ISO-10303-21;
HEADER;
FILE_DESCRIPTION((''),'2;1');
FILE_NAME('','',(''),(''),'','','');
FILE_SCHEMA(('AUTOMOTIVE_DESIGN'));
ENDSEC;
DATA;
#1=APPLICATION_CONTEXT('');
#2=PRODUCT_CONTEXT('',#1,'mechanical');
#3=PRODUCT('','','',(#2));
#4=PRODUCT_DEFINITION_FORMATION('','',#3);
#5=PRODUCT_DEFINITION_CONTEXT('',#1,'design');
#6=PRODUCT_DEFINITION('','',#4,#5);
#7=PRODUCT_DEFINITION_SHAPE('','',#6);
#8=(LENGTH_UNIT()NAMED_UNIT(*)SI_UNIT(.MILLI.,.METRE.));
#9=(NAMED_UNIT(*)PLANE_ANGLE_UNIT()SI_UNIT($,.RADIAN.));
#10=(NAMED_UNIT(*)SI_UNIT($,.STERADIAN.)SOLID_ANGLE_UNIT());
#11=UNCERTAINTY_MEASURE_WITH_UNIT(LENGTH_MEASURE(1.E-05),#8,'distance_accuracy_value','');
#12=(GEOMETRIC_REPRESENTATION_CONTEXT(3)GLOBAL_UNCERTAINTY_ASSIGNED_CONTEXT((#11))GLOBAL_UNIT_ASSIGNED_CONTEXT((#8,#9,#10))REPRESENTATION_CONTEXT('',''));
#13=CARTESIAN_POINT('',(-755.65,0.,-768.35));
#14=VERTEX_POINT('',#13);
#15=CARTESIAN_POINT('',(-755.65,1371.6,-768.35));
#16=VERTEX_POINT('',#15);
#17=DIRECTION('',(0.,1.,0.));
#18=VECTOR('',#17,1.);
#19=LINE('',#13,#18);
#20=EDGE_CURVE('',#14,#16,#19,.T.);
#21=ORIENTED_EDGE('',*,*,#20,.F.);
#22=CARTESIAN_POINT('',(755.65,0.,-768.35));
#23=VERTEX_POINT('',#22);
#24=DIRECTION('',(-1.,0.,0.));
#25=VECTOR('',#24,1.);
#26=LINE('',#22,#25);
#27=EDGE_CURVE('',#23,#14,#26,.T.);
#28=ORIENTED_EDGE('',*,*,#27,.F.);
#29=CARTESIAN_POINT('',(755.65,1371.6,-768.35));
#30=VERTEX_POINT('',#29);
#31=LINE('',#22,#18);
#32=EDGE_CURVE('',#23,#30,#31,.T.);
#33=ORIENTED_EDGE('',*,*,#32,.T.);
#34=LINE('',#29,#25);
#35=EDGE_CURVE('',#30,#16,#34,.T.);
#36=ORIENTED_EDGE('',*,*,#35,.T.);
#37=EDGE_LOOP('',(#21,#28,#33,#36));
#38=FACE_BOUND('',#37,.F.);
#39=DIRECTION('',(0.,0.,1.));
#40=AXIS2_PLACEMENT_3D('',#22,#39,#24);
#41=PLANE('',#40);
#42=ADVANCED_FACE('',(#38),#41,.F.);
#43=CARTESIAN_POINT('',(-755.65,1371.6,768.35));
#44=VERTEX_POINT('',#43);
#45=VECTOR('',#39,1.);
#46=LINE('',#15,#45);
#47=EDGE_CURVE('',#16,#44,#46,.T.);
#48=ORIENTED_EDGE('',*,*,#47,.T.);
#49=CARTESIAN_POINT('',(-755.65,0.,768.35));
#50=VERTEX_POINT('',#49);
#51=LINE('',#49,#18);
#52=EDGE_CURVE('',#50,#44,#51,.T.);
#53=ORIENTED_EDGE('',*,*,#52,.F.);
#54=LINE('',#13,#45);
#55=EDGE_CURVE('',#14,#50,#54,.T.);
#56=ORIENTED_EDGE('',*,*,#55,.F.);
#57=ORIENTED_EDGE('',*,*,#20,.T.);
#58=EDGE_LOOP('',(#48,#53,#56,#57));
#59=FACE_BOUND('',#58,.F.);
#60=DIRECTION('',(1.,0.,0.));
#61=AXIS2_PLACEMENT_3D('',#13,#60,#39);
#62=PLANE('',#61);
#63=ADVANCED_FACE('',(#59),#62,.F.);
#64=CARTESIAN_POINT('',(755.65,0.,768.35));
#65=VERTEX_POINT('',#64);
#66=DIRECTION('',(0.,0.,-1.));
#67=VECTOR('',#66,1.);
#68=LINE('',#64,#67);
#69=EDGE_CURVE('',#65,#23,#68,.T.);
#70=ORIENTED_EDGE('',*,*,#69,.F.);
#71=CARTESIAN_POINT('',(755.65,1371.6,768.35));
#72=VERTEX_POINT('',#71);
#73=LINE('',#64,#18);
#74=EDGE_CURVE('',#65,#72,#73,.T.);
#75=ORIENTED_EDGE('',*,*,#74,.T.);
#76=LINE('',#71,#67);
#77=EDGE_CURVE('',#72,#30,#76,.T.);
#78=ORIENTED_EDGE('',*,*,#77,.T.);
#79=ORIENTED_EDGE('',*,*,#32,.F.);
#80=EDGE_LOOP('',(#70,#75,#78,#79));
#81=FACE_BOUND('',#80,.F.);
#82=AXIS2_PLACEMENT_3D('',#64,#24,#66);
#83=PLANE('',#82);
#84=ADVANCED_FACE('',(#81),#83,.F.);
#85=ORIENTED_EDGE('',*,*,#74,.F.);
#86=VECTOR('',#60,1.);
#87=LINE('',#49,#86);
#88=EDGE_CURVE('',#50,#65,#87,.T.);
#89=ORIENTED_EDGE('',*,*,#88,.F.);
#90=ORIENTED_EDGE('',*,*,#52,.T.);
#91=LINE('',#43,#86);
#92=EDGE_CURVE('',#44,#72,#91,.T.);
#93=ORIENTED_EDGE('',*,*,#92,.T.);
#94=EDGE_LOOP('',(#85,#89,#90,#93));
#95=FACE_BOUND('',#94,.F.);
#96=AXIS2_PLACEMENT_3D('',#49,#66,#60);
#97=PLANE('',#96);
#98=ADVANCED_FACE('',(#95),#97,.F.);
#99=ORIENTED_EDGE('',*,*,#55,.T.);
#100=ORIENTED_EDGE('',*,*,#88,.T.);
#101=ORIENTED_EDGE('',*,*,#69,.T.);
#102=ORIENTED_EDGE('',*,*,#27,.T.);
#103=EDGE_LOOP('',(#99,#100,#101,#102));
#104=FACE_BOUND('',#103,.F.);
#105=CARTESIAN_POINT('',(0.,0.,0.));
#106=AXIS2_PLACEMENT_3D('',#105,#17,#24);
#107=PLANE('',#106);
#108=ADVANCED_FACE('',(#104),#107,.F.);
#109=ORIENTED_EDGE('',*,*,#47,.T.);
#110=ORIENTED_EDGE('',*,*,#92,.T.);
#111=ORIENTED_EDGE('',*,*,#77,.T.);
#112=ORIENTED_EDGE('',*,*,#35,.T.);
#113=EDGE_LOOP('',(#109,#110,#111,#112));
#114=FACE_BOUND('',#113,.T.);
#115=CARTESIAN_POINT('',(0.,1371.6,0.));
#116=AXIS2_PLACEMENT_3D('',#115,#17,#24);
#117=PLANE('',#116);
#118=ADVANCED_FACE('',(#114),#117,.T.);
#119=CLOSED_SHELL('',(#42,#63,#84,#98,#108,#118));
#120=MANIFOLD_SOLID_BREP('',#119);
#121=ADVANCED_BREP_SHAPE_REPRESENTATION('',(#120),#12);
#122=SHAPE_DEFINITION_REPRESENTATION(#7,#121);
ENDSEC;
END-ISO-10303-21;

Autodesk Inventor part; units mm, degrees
ref_plane "YZ Plane" through (0, 0, 0) normal (1, 0, 0) x (0, 1, 0)
ref_plane "XZ Plane" through (0, 0, 0) normal (0, 1, 0) x (-1, 0, 0)
ref_plane "XY Plane" through (0, 0, 0) normal (0, 0, 1) x (1, 0, 0)
sketch "Sketch1" plane through (0, 0, 0) normal (0, 1, 0) x (-1, 0, 0)
  line L0 (755.65, 768.35) -> (-755.65, 768.35)
  line L1 (-755.65, 768.35) -> (-755.65, -768.35)
  line L2 (-755.65, -768.35) -> (755.65, -768.35)
  line L3 (755.65, -768.35) -> (755.65, 768.35)
  line L4 (755.65, 768.35) -> (-755.65, -768.35) construction
  line L5 (-755.65, 768.35) -> (755.65, -768.35) construction
  point P0 (0, 0)
  dimension "d0" = 1536.7
  dimension "d1" = 1511.3
extrude "Extrusion1" add sketch "Sketch1" along normal blind 1371.6
equation "\"d0\" = maxVolumeLength"
equation "\"d1\" = maxVolumeWidth"
equation "\"d2\" = maxVolumeHeight"
equation "\"robotWidth\" = -robotLength + 0.5 * perimeter"
equation "\"robotLength\" = 774.7"
equation "\"maxVolumeHeight\" = 1371.6"
equation "\"perimeter\" = 3048"
equation "\"maxVolumeLength\" = 1536.7"
equation "\"maxVolumeWidth\" = 1511.3"
properties part number "maxAllowedVolumeForDriving" material "Polycarbonate, Clear"
